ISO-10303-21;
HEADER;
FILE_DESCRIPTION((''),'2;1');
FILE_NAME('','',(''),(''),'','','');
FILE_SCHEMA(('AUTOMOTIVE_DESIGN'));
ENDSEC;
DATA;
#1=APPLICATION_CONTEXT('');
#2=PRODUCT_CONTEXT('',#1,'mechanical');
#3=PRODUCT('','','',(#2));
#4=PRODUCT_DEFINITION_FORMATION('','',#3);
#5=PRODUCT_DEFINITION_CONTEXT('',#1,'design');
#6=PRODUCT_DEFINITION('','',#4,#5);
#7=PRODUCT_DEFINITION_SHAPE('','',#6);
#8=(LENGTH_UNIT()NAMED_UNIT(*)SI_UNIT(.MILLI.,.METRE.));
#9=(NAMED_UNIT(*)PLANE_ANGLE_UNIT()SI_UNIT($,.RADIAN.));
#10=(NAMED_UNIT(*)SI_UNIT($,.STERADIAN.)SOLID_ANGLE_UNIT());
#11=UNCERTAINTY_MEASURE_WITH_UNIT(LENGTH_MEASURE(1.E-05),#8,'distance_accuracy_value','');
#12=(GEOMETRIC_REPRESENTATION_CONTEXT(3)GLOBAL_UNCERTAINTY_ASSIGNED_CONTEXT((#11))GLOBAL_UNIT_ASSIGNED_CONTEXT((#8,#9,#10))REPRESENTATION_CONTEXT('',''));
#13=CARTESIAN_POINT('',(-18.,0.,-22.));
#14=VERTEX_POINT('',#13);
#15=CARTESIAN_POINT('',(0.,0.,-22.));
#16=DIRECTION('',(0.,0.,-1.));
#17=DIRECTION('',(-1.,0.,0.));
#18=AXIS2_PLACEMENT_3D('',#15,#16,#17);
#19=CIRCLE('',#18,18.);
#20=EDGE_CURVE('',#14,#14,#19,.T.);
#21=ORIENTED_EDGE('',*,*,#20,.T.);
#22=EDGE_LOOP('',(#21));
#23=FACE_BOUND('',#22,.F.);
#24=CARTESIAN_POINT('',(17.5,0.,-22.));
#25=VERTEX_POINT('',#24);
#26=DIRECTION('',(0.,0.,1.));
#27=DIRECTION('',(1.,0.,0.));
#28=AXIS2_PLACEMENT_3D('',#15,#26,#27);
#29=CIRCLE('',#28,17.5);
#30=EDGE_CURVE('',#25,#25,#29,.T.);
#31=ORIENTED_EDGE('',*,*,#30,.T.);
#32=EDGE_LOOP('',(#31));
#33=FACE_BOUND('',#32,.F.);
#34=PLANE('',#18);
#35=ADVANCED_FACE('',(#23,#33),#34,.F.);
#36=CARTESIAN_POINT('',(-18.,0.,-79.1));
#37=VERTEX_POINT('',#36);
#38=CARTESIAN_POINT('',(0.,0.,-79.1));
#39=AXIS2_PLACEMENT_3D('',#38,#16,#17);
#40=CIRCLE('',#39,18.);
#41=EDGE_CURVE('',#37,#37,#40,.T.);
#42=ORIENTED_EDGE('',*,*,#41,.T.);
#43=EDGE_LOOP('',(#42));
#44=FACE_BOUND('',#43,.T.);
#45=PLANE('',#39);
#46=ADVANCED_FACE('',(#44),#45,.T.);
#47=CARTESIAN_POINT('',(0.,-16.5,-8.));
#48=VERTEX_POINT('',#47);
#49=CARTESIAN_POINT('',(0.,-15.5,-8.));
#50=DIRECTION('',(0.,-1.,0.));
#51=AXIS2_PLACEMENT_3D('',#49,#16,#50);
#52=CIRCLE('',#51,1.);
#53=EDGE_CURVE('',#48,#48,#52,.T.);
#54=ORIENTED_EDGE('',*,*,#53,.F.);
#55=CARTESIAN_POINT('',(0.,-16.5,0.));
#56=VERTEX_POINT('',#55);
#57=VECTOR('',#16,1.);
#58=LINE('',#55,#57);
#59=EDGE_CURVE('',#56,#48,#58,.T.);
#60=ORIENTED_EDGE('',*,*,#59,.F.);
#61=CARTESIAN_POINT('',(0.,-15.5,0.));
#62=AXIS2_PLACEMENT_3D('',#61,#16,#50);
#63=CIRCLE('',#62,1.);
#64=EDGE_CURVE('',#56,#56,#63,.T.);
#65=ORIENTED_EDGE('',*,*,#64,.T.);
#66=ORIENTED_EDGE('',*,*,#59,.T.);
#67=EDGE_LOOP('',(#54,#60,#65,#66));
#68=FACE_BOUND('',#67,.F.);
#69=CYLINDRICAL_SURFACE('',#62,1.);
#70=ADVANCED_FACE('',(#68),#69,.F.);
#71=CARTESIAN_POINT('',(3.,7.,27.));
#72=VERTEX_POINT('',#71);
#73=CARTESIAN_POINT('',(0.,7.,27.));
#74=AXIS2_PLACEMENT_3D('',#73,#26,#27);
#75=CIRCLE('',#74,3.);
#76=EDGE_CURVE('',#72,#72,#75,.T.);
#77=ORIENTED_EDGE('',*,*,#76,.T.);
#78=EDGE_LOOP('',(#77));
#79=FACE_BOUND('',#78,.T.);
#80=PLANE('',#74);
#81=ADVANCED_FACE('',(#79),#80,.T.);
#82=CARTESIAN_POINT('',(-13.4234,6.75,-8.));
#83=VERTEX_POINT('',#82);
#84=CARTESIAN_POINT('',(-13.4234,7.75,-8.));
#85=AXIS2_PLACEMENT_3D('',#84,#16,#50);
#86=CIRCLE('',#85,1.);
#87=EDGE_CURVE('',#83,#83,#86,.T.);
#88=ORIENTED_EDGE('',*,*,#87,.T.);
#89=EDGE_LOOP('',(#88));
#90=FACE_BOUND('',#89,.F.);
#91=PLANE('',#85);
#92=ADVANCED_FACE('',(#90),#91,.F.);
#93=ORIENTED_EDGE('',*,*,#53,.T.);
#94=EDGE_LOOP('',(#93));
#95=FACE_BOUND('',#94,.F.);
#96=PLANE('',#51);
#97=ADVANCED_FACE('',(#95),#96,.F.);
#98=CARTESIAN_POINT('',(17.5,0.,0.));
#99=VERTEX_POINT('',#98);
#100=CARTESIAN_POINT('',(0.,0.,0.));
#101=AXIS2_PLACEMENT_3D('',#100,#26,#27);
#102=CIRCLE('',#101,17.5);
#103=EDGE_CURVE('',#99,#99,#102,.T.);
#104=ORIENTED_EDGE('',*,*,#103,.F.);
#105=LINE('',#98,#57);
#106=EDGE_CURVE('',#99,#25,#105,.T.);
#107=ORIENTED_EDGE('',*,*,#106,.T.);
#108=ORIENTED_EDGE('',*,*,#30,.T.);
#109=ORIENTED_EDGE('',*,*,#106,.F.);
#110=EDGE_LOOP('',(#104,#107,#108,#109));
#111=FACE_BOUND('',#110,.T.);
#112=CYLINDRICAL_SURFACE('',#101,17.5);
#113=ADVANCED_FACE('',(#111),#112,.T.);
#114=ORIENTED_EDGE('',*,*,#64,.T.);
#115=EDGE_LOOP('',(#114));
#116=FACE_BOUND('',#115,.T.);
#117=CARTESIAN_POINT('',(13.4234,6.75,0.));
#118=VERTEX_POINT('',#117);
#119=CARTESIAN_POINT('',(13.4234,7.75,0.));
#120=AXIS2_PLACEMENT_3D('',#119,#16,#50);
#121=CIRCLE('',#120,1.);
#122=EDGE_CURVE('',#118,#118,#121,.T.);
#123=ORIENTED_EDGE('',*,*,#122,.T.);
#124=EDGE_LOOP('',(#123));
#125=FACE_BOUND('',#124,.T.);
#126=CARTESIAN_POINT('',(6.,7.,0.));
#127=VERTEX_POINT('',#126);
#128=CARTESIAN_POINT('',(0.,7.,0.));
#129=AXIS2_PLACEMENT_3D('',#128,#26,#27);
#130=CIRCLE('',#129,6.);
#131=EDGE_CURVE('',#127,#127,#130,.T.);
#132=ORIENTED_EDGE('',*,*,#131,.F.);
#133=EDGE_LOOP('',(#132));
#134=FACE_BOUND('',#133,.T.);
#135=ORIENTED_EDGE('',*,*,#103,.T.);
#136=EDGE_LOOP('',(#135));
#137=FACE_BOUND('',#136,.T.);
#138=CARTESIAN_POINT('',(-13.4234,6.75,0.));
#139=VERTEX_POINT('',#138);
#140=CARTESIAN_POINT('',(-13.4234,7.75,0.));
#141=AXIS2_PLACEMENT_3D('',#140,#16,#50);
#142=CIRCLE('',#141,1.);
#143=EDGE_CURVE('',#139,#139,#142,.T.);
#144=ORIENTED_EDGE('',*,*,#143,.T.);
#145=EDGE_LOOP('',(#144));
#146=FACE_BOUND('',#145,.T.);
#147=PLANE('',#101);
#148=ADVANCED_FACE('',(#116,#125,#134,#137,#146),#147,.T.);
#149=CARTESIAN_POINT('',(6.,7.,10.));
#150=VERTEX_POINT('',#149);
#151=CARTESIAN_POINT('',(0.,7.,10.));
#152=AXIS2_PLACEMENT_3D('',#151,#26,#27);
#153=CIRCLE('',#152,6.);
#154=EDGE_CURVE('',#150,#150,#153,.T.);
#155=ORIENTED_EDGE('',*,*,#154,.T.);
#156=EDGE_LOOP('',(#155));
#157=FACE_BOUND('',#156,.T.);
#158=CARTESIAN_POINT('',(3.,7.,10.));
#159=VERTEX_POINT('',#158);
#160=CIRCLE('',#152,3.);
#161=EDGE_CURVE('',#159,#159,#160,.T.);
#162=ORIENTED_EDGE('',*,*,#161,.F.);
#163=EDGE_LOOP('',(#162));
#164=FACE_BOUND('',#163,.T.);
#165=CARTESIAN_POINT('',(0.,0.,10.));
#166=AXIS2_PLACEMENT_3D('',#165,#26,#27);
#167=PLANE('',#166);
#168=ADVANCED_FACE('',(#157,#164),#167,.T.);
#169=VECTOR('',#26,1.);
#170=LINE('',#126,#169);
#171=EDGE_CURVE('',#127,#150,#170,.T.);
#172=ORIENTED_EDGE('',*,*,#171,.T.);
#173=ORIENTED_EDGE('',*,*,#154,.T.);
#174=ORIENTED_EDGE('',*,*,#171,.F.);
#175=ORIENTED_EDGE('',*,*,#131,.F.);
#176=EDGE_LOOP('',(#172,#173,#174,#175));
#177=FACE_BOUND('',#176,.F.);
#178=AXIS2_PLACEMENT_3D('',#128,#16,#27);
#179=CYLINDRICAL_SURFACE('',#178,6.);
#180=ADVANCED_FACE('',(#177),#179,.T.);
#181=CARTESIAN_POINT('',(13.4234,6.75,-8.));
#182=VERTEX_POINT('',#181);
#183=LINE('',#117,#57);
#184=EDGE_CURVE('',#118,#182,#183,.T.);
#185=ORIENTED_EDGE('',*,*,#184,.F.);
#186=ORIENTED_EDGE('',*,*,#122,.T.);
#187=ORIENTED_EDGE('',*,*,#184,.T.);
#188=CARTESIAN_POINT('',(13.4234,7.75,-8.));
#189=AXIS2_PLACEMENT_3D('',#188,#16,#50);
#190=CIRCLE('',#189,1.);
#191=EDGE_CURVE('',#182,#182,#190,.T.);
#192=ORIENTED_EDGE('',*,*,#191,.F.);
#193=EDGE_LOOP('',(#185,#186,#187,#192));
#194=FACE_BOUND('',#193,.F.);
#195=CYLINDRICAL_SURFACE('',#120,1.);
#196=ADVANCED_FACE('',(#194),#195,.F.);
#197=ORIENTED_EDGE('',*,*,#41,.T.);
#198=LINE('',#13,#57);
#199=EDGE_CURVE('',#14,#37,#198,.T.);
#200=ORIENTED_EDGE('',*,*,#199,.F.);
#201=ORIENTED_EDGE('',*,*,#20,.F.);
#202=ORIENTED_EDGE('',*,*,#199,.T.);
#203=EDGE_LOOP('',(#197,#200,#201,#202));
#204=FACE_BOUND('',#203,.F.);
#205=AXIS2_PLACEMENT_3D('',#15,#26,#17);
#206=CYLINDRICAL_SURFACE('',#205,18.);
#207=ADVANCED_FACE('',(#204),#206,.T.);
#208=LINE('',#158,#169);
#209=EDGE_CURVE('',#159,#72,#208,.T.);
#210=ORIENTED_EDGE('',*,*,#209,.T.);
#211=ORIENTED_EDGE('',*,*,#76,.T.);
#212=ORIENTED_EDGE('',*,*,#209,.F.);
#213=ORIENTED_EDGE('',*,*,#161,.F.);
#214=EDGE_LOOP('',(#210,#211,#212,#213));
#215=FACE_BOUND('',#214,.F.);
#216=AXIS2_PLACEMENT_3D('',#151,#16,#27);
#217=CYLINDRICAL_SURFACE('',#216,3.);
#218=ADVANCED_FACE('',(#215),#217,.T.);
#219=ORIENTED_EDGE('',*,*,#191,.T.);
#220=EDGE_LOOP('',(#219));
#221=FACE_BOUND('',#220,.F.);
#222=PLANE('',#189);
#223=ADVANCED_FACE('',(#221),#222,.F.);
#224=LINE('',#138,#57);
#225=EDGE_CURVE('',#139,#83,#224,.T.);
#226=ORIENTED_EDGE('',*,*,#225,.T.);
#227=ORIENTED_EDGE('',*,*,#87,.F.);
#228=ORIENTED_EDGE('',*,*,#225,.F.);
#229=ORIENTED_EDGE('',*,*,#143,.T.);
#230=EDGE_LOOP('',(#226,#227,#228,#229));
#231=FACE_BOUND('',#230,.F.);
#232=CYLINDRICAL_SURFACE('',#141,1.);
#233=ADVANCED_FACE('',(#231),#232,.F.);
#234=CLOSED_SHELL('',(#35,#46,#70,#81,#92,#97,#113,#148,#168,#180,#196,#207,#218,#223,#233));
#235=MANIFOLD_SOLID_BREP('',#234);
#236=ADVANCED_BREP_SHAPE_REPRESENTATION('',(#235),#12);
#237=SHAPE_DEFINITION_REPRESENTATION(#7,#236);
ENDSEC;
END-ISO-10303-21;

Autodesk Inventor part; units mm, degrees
ref_plane "YZ Plane" through (0, 0, 0) normal (1, 0, 0) x (0, 1, 0)
ref_plane "XZ Plane" through (0, 0, 0) normal (0, 1, 0) x (-1, 0, 0)
ref_plane "XY Plane" through (0, 0, 0) normal (0, 0, 1) x (1, 0, 0)
sketch "Skizze1" plane through (0, 0, 0) normal (0, 0, 1) x (1, 0, 0)
  circle A0 centre (0, 0) radius 17.5
  dimension "d0" = 35
extrude "Extrusion1" add sketch "Skizze1" against normal blind 22
sketch "Skizze2" plane through (0, 0, -22) normal (0, 0, -1) x (-1, 0, 0)
  circle A0 centre (0, 0) radius 17.5 projected
  circle A1 centre (0, 0) radius 18
  dimension "d3" = 36
extrude "Extrusion2" add sketch "Skizze2" along normal blind 57.1 contours A0 | A1
sketch "Skizze3" plane through (0, 0, 0) normal (0, 0, 1) x (1, 0, 0)
  circle A0 centre (0, 0) radius 17.5 projected
  circle A1 centre (0, 7) radius 6
  line L0 (0, 0) -> (0, 7) construction
  dimension "d6" = 12
  dimension "d7" = 7
extrude "Extrusion3" add sketch "Skizze3" along normal blind 10 contours A1
sketch "Skizze4" plane through (0, 7, 10) normal (0, 0, 1) x (1, 0, 0)
  circle A0 centre (0, 0) radius 6 projected
  circle A1 centre (0, 0) radius 3
  point P0 (0, -7)
  dimension "d10" = 6
extrude "Extrusion4" add sketch "Skizze4" along normal blind 17 contours A1
ref_plane "Arbeitsebene1" through (0, 7, 10) normal (1, 0, 0) x (0, 0, 1)
sketch "Skizze5" plane through (0, 0, 0) normal (0, 0, 1) x (1, 0, 0)
  circle A0 centre (0, 0) radius 17.5 projected
  circle A1 centre (0, 0) radius 15.5 construction
  line L0 (0, 0) -> (0, -17.5) construction
  line L1 (0, 0) -> (-15.1554, 8.75) construction
  line L2 (0, 0) -> (15.1554, 8.75) construction
  point P0 (-13.4234, 7.75)
  point P1 (13.4234, 7.75)
  point P2 (0, -15.5)
  dimension "d13" = 120
  dimension "d14" = 120
  dimension "d15" = 31
hole "Bohrung1" at (-13.4234, 7.75, 0) at (13.4234, 7.75, 0) at (0, -15.5, 0) direction (0, 0, -1) diameter 2 depth 8
equation "\"d14\" = d13"
properties part number "Conrad Motor" material "Eisen, grau"
